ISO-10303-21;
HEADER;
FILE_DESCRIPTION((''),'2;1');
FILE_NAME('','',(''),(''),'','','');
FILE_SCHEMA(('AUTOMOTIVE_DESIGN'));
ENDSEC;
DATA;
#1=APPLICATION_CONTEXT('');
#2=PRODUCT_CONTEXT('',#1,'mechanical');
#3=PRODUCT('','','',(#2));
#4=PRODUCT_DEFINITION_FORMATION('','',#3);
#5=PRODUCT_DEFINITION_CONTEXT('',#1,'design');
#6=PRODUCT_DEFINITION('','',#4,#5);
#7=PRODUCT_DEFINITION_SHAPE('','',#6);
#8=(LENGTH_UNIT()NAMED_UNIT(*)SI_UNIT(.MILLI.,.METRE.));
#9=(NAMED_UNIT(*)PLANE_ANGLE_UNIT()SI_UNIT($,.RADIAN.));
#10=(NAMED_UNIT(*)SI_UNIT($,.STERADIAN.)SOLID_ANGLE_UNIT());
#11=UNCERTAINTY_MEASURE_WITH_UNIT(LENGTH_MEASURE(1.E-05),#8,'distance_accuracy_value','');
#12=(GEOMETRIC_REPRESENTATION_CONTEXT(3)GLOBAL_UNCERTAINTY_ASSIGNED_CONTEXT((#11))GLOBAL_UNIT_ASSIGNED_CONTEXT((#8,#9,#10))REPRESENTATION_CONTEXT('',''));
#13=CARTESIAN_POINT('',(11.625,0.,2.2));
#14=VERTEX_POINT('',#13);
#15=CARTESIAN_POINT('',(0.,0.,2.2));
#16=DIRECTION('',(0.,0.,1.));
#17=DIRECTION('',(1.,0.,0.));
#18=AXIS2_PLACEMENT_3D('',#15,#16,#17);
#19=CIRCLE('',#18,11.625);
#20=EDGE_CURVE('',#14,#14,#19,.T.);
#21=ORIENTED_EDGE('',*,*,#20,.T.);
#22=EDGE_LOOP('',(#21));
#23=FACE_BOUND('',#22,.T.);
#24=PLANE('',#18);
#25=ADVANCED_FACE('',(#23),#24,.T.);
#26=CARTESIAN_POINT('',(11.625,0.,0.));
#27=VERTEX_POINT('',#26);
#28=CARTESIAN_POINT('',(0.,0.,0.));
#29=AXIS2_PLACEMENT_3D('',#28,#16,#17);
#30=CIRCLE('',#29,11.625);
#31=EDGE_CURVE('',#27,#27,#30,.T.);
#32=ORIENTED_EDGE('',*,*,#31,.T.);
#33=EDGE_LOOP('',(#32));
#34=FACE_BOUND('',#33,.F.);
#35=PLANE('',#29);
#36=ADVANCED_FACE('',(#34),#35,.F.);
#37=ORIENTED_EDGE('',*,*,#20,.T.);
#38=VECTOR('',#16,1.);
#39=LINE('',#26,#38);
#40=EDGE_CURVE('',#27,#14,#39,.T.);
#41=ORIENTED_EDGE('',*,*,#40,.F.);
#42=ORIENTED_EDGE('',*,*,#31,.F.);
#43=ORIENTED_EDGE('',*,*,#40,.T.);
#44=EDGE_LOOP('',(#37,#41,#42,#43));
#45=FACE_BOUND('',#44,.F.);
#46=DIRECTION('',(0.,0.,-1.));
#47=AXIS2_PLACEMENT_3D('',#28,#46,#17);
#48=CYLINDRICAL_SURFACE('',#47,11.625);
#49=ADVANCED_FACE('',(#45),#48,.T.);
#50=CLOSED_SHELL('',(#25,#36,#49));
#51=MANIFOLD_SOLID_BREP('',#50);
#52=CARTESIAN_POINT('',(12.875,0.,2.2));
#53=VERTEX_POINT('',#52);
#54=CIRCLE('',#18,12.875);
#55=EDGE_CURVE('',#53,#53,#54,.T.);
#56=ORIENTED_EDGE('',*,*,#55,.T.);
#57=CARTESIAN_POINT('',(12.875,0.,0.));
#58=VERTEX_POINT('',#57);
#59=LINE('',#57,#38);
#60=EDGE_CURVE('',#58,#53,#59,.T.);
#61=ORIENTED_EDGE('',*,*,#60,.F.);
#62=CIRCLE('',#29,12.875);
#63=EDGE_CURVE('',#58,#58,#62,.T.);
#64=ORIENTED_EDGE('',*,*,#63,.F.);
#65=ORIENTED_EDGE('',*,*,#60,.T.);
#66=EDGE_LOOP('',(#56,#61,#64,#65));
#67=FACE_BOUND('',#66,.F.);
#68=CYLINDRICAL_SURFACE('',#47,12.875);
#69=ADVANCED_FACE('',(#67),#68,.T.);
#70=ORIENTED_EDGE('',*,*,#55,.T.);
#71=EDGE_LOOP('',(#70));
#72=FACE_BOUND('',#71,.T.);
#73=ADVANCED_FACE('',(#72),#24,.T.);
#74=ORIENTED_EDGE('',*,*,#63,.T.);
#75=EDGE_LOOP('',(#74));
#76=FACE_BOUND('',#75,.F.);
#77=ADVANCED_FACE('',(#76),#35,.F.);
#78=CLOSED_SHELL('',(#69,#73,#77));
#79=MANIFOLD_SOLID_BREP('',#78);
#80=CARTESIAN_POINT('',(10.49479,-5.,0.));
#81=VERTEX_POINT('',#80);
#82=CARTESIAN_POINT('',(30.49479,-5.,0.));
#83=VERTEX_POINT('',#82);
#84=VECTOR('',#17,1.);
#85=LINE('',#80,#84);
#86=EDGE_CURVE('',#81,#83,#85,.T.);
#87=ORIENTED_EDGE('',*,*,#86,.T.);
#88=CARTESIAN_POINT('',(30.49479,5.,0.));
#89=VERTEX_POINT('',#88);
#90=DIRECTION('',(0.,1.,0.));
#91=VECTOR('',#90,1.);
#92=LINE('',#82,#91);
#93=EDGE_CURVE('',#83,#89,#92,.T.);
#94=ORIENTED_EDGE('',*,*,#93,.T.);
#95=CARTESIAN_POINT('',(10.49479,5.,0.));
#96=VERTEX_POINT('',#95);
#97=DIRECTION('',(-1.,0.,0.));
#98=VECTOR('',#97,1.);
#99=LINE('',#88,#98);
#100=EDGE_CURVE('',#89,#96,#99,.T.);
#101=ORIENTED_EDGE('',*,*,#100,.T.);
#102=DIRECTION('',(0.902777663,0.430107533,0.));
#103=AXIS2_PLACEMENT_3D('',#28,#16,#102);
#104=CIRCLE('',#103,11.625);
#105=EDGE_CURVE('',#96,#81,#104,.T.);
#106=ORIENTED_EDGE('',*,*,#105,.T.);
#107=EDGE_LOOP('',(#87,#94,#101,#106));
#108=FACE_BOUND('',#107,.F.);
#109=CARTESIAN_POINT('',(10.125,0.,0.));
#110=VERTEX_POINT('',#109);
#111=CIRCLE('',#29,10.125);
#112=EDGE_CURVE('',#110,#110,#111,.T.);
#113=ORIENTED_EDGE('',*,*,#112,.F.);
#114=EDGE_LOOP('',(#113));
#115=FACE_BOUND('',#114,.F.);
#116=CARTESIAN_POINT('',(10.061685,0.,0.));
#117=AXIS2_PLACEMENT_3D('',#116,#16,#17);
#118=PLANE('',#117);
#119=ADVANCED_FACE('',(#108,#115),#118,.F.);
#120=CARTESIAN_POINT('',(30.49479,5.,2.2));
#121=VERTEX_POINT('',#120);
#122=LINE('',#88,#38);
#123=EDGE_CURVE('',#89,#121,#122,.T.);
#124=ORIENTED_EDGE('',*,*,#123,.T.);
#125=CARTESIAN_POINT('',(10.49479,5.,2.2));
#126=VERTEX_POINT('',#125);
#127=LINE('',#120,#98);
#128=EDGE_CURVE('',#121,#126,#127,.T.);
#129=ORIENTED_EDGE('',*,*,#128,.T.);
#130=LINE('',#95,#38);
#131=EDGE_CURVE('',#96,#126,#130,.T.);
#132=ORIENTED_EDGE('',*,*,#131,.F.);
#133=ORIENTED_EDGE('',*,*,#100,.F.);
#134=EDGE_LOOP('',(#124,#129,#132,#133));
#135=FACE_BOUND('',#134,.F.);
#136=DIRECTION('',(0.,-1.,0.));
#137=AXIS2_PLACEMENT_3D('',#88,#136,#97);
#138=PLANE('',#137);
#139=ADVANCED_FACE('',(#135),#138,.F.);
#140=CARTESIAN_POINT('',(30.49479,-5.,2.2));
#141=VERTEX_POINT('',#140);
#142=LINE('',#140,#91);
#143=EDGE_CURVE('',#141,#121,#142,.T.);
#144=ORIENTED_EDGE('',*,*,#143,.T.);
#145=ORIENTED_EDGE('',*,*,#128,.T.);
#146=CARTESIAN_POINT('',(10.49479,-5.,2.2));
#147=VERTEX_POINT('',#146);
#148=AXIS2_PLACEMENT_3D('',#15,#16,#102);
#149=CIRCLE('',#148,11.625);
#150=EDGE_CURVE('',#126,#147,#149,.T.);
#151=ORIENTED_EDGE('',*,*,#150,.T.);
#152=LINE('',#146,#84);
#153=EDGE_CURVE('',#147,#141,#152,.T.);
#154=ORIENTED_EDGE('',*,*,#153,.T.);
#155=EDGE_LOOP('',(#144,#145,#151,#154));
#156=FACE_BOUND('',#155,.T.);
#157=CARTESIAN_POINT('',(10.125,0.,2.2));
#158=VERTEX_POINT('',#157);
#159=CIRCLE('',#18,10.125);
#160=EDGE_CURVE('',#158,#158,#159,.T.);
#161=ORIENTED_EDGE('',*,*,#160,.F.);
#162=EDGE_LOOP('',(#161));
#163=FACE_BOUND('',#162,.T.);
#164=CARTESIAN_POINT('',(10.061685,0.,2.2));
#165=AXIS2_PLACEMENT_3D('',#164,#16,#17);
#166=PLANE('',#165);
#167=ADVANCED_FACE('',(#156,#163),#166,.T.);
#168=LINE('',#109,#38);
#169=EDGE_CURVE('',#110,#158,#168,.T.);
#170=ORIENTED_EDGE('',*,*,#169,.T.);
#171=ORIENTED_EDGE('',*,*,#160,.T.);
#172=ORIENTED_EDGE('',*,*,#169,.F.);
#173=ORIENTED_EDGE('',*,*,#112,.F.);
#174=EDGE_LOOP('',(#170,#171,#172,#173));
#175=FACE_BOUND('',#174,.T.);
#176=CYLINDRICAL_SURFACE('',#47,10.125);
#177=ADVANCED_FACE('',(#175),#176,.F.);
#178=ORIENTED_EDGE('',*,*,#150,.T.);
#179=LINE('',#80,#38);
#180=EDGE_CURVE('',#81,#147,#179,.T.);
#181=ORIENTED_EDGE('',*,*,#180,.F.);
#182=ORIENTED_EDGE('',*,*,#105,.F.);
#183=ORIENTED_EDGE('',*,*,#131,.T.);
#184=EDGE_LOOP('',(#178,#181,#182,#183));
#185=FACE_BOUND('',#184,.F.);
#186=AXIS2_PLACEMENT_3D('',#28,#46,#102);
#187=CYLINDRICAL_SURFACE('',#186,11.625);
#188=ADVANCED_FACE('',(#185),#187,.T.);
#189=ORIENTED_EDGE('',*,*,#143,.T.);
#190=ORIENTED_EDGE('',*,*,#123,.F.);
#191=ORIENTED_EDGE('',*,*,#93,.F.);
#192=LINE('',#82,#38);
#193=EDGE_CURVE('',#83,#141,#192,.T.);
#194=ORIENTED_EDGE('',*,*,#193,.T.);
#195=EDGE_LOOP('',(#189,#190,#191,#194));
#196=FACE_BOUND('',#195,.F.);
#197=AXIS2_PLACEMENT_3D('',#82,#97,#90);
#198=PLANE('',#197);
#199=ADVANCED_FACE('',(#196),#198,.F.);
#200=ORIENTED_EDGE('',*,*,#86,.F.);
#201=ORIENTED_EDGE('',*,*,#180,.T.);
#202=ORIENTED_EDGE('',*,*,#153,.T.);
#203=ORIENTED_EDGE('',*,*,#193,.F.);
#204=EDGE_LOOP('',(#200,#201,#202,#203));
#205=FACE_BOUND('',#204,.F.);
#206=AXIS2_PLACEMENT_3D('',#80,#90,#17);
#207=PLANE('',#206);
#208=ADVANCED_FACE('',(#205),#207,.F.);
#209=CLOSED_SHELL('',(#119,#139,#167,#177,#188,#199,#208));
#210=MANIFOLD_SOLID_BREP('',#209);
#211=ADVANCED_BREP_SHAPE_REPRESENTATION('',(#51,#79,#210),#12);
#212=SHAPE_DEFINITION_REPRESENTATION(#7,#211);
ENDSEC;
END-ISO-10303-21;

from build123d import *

# Parameters (mm, degrees)
F0_R     = 12.875
F1_DEPTH = 2.2
F2_R     = 11.625
F3_DEPTH = 2.2
F4_R     = 10.125
F5_DEPTH = 2.2


with BuildPart() as f1:
    # F0 (on Top) → F1 (new body)
    with BuildSketch(Plane.XY):
        Circle(F0_R)
    extrude(amount=F1_DEPTH)


with BuildPart() as f3:
    # F2 (on Top) → F3 (new body)
    with BuildSketch(Plane.XY):
        Circle(F2_R)
    extrude(amount=F3_DEPTH)


with BuildPart() as f5:
    # F4 (on Top) → F5 (new body)
    with BuildSketch(Plane.XY):
        with BuildLine():
            Line((30.49479, 5), (10.49479, 5))
            ThreePointArc((10.49479, 5), (-11.625, 0), (10.49479, -5))
            Line((10.49479, -5), (30.49479, -5))
            Line((30.49479, -5), (30.49479, 5))
        make_face()
        Circle(F4_R, mode=Mode.SUBTRACT)
    extrude(amount=F5_DEPTH)


solid = Compound([f1.part, f3.part, f5.part])
